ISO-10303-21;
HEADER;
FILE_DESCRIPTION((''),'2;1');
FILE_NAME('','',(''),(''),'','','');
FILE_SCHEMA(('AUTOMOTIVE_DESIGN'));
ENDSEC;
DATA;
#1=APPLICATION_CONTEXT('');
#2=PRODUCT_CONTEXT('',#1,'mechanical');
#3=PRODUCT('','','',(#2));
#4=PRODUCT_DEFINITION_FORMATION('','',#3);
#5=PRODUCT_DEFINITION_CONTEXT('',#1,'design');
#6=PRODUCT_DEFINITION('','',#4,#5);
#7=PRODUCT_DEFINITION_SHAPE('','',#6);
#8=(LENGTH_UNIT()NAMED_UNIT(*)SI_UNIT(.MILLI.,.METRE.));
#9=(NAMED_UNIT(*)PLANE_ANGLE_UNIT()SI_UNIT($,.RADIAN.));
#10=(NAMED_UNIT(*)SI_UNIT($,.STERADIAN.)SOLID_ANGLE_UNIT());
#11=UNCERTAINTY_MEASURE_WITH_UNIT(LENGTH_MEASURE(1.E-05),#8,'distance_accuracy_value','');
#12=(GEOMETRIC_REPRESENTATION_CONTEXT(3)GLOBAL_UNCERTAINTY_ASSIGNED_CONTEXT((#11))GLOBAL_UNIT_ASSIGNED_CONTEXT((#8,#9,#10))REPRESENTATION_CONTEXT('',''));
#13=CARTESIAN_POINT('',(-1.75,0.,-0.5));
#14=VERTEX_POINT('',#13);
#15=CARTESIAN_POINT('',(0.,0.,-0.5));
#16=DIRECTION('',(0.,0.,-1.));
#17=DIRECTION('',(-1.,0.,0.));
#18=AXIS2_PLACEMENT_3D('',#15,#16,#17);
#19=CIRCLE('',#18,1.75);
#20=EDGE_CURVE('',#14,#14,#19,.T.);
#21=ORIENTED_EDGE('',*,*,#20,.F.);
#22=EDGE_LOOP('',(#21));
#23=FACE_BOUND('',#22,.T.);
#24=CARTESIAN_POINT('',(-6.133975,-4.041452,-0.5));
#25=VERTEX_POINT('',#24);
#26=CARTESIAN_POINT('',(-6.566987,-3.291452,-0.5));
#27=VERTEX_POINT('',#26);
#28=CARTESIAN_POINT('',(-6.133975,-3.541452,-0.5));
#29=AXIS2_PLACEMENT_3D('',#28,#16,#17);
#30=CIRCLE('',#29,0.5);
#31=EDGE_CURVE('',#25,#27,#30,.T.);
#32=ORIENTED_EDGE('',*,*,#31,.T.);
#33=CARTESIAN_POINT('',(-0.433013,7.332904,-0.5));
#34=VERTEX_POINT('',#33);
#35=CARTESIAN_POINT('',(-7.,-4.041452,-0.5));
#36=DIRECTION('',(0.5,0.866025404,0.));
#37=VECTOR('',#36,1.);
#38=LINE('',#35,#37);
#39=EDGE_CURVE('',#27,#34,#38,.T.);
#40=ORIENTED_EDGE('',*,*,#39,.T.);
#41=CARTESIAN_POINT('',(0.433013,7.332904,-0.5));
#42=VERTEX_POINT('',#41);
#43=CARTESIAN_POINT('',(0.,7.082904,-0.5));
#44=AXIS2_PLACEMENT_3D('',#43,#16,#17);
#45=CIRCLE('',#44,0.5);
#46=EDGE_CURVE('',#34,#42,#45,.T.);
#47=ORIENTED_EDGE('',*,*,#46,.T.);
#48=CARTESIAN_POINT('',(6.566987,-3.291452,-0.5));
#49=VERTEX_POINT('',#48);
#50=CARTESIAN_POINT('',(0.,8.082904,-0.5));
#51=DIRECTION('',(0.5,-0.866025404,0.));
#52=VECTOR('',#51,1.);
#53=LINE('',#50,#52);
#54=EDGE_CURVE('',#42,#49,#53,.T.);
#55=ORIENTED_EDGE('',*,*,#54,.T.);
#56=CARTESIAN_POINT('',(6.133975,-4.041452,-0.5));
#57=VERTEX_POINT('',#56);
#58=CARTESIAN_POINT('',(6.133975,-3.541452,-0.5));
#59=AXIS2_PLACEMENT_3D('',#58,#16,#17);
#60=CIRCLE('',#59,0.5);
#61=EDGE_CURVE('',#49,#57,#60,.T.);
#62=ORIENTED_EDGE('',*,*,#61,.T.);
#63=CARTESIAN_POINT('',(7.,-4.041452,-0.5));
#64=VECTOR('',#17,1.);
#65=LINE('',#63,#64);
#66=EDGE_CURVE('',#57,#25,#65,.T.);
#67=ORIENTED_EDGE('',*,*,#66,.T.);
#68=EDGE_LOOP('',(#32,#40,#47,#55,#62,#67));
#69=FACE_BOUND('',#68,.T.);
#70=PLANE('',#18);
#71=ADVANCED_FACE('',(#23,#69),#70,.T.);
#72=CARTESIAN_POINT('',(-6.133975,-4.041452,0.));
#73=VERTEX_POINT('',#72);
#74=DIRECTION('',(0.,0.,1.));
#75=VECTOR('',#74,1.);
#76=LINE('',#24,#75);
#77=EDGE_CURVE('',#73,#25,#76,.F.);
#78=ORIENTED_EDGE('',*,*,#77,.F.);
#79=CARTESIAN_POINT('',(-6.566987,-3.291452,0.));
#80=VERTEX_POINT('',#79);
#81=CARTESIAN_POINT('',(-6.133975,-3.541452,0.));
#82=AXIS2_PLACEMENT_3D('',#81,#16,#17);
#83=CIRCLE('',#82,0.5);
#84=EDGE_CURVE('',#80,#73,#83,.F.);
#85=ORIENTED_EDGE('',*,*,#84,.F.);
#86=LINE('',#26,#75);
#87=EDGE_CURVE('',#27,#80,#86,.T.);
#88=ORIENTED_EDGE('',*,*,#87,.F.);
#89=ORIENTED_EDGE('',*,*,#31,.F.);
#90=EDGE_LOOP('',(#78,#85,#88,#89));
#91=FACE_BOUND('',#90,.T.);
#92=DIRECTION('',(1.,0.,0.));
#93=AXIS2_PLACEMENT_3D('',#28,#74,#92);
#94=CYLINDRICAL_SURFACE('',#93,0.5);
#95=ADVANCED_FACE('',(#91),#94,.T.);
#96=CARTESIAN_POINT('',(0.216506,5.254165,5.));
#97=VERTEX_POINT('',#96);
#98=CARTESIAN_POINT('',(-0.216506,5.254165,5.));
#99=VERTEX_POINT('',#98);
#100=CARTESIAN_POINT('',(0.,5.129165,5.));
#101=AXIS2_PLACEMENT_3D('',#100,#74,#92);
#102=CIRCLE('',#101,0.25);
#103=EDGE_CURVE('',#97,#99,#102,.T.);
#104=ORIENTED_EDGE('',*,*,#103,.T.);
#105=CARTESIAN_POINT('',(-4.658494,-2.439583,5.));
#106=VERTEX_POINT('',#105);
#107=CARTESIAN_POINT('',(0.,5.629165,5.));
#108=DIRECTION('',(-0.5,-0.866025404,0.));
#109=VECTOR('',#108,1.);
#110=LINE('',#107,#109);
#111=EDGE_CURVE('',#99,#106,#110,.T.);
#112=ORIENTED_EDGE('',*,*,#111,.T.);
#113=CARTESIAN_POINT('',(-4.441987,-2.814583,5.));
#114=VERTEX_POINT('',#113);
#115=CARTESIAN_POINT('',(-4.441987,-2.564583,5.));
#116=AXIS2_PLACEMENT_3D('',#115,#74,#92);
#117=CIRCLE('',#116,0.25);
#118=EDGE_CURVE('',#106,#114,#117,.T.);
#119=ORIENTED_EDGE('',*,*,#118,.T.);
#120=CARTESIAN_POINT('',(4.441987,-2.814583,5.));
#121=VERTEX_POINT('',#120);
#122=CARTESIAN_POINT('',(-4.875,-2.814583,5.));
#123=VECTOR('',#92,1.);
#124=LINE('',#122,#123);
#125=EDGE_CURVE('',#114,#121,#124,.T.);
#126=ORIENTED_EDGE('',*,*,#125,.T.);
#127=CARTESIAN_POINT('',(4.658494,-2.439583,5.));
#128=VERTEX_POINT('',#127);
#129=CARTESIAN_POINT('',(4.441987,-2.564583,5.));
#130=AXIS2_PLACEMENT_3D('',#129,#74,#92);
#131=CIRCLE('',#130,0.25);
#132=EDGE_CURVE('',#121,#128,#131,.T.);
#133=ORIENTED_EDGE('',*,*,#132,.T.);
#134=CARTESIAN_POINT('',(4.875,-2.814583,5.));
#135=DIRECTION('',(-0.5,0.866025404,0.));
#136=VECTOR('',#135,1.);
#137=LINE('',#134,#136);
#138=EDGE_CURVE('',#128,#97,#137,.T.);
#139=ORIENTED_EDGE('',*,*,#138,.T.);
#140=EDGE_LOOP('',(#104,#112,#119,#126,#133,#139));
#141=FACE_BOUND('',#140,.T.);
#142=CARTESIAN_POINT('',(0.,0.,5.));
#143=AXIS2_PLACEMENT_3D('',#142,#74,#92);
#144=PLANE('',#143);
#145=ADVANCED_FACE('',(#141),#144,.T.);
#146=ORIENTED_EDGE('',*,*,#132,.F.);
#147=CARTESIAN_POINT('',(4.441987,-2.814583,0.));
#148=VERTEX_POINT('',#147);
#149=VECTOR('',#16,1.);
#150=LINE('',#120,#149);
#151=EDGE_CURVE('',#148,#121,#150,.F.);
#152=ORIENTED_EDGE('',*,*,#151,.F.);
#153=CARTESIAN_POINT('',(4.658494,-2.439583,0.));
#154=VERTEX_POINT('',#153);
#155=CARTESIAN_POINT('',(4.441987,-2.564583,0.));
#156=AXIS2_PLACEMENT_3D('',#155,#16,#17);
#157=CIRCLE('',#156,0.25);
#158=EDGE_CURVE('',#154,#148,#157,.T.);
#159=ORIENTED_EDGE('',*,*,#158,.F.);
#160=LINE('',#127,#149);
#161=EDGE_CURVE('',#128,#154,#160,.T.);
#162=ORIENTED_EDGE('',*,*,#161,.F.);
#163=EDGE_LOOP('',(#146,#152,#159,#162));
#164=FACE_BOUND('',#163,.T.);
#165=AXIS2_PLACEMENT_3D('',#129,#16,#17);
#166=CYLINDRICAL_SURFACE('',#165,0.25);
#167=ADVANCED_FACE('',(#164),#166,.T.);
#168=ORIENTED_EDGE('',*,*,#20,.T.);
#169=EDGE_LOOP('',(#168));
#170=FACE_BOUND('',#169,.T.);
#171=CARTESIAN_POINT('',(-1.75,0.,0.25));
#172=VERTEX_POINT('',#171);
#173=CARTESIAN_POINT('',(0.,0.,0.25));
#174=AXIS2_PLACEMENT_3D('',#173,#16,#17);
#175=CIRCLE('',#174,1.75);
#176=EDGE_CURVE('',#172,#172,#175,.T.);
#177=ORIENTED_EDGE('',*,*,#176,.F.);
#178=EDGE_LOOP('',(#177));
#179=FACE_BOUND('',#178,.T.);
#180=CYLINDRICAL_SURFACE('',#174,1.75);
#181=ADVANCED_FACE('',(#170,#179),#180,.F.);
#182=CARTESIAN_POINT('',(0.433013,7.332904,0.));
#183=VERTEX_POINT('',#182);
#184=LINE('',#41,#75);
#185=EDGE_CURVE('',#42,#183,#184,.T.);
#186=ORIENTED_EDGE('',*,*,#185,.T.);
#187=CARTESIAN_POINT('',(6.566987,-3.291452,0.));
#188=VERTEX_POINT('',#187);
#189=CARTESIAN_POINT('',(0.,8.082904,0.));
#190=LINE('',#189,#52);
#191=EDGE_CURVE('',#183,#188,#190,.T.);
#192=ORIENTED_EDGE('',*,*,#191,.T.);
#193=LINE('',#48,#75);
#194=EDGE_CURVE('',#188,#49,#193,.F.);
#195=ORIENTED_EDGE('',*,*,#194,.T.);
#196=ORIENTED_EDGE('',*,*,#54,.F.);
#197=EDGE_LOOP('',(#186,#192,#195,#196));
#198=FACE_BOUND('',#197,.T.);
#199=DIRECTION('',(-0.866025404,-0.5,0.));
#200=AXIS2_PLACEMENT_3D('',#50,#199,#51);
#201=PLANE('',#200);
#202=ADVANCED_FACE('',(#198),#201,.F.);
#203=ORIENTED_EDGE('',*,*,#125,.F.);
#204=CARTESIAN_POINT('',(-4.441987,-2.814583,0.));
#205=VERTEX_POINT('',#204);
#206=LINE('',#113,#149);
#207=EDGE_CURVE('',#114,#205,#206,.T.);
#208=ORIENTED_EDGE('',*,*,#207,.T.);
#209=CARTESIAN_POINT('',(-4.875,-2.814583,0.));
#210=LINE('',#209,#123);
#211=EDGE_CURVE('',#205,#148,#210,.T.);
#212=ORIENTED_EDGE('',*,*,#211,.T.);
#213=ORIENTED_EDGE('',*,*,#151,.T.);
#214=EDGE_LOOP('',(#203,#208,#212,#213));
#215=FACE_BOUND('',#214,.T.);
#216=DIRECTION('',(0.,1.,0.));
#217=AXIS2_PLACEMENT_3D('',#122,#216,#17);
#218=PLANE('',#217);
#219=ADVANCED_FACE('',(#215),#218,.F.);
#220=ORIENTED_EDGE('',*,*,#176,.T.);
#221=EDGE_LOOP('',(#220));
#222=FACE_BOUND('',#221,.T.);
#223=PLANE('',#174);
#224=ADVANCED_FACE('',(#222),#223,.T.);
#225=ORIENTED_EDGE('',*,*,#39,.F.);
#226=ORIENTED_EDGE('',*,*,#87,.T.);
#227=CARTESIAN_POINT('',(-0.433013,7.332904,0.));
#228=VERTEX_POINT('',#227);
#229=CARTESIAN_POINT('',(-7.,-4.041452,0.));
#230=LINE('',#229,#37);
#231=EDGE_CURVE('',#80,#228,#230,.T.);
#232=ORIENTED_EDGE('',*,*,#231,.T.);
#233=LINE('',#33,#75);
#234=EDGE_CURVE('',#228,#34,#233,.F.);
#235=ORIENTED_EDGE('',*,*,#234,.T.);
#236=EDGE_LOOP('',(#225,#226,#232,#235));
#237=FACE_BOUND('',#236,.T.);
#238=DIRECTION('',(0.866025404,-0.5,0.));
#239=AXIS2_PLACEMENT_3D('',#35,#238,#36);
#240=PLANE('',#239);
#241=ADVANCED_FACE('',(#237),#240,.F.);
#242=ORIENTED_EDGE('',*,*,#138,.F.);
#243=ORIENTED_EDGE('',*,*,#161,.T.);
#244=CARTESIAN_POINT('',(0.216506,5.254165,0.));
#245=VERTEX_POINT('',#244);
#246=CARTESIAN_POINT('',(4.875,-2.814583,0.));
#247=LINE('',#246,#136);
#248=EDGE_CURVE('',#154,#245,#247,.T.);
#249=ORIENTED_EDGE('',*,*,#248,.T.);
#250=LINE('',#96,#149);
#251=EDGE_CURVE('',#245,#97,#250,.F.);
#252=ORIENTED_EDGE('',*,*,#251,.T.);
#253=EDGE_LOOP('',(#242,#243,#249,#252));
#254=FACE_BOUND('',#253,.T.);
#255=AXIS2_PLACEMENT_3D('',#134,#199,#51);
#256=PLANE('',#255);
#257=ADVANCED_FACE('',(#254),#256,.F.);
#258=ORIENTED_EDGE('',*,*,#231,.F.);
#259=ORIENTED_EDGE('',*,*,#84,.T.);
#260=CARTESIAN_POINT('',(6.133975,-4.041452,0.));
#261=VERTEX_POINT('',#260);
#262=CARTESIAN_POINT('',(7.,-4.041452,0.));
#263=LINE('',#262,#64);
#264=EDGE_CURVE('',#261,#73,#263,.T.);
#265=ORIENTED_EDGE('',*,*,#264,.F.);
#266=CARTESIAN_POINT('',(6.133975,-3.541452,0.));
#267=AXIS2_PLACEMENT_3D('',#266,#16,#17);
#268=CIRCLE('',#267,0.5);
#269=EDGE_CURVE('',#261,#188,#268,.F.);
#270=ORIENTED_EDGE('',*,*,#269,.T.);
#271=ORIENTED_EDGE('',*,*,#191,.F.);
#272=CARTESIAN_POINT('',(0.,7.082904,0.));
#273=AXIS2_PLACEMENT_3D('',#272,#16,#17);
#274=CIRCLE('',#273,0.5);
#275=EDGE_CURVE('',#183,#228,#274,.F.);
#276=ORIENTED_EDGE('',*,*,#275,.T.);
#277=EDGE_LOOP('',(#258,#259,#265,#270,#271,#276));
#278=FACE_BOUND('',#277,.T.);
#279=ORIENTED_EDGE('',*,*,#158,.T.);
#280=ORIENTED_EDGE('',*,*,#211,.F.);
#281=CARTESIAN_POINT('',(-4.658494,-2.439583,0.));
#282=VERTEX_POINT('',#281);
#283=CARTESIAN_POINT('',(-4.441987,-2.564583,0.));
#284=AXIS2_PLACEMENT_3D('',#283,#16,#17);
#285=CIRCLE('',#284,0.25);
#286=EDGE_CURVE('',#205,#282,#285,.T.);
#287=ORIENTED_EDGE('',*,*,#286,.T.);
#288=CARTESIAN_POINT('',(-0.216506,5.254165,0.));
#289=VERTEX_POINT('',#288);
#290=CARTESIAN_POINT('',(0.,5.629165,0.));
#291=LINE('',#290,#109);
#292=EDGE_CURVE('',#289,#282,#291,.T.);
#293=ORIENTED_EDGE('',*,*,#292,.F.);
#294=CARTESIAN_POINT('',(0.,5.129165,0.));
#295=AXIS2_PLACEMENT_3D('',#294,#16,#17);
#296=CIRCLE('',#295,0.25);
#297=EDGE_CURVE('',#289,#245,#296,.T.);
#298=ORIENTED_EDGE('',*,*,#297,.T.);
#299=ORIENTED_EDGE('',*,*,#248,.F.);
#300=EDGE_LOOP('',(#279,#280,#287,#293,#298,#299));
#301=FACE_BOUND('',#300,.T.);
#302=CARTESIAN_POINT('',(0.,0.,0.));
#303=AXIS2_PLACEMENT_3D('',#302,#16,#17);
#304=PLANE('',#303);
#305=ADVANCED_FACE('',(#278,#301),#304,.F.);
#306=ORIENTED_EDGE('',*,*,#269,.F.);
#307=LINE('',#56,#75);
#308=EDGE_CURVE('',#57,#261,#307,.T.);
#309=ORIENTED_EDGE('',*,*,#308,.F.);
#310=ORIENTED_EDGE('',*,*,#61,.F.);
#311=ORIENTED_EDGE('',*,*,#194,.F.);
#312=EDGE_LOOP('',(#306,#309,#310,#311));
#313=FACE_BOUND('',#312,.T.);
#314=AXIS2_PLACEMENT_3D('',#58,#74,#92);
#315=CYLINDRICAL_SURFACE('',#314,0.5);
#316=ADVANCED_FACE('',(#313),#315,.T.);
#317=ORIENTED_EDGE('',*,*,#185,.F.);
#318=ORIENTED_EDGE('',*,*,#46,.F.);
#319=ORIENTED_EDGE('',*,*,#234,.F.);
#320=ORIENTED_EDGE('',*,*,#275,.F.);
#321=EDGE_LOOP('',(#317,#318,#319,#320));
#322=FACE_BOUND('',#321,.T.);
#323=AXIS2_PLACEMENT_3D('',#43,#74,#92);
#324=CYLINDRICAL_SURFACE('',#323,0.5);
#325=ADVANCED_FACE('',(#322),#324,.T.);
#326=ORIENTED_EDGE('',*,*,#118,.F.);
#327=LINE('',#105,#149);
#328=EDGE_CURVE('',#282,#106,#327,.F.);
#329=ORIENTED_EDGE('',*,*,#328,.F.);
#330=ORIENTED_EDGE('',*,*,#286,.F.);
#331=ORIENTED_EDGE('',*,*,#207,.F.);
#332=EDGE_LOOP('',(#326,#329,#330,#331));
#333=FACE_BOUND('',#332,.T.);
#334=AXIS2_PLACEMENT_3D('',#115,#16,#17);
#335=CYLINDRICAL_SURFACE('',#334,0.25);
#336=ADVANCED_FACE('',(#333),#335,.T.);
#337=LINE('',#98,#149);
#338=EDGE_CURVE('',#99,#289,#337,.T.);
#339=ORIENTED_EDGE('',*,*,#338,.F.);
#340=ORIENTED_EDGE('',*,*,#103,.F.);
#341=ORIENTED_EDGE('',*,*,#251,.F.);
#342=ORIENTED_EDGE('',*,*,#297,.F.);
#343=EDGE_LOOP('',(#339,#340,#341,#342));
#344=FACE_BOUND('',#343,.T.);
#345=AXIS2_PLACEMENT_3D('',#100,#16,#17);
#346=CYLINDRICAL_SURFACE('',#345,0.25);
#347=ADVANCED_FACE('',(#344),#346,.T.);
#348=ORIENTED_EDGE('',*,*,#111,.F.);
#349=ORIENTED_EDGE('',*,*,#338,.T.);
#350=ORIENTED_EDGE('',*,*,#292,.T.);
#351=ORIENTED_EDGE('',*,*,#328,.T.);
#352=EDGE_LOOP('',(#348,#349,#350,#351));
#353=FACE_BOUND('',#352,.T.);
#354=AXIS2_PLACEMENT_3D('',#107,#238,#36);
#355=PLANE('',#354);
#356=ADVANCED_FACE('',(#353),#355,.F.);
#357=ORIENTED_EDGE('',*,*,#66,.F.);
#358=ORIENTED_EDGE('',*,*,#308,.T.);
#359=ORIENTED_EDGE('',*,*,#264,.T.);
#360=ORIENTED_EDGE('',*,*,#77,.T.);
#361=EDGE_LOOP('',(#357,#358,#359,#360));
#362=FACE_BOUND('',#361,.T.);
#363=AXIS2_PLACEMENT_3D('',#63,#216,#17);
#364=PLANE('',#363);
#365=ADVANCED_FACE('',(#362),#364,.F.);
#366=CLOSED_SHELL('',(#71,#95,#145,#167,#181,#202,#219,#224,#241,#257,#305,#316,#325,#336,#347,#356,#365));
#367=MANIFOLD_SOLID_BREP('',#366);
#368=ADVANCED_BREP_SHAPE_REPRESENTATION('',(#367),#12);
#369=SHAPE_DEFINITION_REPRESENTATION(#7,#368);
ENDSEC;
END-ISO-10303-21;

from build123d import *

# Parameters (mm, degrees)
BOSS_EXTRUDE1_DEPTH = 5
BOSS_EXTRUDE2_DEPTH = 0.5
FILLET1_R           = 0.5
FILLET2_R           = 0.25
SKETCH3_R           = 1.75
CUT_EXTRUDE1_DEPTH  = 0.75


with BuildPart() as part:
    # Sketch1 → Boss-Extrude1 (new body)
    with BuildSketch(Plane.XY):
        Polygon((0, 5.629165125), (-4.875, -2.814582562), (4.875, -2.814582562), align=None)
    extrude(amount=BOSS_EXTRUDE1_DEPTH)

    # Sketch2 → Boss-Extrude2 (add)
    with BuildSketch(Plane(origin=(0, 0, 0), x_dir=(-1, 0, 0), z_dir=(0, 0, -1))):
        Polygon((0, 8.082903769), (-7, -4.041451884), (7, -4.041451884), align=None)
    extrude(amount=BOSS_EXTRUDE2_DEPTH)

    # Fillet1
    fillet1_edges = [part.edges().sort_by_distance(p)[0] for p in [
        (-7, -4.041451884, -0.25),
        (0, 8.082903769, -0.25),
        (7, -4.041451884, -0.25),
    ]]
    fillet(fillet1_edges, radius=FILLET1_R)

    # Fillet2
    fillet2_edges = [part.edges().sort_by_distance(p)[0] for p in [
        (4.875, -2.814582562, 2.5),
        (-4.875, -2.814582562, 2.5),
        (0, 5.629165125, 2.5),
    ]]
    fillet(fillet2_edges, radius=FILLET2_R)

    # Sketch3 → Cut-Extrude1 (cut)
    with BuildSketch(Plane(origin=(0, 0, -0.5), x_dir=(-1, 0, 0), z_dir=(0, 0, -1))):
        Circle(SKETCH3_R)
    extrude(amount=-CUT_EXTRUDE1_DEPTH, mode=Mode.SUBTRACT)


solid = part.part
